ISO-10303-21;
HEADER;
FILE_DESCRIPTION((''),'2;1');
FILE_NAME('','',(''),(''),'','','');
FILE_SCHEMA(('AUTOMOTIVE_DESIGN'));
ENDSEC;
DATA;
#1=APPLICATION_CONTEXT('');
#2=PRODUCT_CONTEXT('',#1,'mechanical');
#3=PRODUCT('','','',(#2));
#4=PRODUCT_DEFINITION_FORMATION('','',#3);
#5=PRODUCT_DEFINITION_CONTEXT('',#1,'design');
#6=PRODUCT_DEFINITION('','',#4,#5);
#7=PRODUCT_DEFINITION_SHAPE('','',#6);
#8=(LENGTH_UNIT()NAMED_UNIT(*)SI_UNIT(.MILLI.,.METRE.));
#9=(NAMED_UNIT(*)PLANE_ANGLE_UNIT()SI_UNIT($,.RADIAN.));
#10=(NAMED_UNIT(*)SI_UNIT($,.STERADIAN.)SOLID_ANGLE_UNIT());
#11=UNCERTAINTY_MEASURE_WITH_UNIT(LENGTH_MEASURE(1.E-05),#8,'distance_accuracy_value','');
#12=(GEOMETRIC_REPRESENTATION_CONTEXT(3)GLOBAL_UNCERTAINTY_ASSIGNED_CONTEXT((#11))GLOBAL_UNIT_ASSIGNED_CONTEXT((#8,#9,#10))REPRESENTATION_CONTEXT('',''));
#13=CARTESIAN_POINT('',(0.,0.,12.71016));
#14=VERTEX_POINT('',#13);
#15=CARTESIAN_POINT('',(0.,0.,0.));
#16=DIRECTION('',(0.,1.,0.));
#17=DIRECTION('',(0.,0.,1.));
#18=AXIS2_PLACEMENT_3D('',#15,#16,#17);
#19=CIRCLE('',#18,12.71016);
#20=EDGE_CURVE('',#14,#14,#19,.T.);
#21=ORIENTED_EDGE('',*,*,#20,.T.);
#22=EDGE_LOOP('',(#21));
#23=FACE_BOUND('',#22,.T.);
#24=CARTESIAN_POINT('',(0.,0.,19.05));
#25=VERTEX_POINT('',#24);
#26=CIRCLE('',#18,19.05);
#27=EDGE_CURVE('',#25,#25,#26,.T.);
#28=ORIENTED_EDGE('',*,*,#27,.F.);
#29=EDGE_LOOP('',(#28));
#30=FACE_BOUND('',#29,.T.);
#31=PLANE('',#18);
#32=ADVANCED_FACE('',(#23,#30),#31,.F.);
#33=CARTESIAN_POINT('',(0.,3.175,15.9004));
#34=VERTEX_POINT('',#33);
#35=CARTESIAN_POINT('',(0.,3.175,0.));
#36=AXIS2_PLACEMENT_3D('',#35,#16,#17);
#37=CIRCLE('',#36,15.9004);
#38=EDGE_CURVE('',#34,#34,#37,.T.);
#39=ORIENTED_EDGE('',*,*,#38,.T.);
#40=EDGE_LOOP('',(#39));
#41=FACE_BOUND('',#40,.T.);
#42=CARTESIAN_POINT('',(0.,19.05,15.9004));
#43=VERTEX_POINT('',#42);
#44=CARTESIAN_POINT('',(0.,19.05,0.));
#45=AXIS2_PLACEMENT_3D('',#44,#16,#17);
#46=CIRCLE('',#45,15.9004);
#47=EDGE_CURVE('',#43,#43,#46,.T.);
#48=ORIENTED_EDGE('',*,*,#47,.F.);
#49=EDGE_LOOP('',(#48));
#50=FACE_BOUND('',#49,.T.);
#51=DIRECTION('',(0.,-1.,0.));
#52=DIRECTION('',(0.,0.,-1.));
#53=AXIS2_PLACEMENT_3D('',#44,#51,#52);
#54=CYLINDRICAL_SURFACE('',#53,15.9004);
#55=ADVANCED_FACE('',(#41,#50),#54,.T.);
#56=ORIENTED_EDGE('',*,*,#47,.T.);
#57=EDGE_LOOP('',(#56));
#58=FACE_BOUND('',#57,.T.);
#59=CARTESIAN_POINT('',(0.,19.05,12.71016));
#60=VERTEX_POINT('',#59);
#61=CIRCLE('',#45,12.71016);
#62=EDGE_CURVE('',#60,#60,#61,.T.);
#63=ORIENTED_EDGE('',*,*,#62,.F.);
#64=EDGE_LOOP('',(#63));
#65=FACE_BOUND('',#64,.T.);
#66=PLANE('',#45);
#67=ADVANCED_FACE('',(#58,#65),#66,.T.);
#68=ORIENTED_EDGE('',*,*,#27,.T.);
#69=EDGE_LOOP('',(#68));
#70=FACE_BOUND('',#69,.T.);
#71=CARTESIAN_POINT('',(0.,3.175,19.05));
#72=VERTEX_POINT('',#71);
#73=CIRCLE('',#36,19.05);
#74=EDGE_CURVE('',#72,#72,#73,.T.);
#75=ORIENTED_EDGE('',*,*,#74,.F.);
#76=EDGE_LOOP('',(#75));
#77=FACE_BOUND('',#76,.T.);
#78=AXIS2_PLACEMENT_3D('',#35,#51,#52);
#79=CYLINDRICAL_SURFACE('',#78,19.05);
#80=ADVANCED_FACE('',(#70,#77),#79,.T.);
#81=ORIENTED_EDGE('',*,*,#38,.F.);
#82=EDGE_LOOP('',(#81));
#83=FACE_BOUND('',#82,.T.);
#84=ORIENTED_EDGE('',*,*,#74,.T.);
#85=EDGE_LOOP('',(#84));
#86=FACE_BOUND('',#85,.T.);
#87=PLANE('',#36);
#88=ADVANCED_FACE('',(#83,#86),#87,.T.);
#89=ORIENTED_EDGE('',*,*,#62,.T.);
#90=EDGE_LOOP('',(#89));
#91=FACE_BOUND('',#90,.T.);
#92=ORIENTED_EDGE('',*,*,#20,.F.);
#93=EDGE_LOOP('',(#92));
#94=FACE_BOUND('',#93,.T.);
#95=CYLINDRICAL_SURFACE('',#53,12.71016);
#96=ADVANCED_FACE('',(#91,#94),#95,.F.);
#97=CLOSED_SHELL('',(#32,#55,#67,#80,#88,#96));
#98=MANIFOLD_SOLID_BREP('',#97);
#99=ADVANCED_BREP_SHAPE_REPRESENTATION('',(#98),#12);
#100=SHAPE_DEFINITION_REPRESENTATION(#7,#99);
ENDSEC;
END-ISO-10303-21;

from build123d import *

# Parameters (mm, degrees)
SKETCH2_R           = 15.9004
SKETCH2_R_2         = 12.71016
BOSS_EXTRUDE1_DEPTH = 19.05
SKETCH3_R           = 19.05
SKETCH3_R_2         = 15.9004
BOSS_EXTRUDE2_DEPTH = 3.175


with BuildPart() as part:
    # Sketch2 → Boss-Extrude1 (new body)
    with BuildSketch(Plane(origin=(0, 0, 0), x_dir=(1, 0, 0), z_dir=(0, 1, 0))):
        Circle(SKETCH2_R)
        Circle(SKETCH2_R_2, mode=Mode.SUBTRACT)
    extrude(amount=BOSS_EXTRUDE1_DEPTH)

    # Sketch3 → Boss-Extrude2 (add)
    with BuildSketch(Plane(origin=(0, 0, 0), x_dir=(1, 0, 0), z_dir=(0, 1, 0))):
        Circle(SKETCH3_R)
        Circle(SKETCH3_R_2, mode=Mode.SUBTRACT)
    extrude(amount=BOSS_EXTRUDE2_DEPTH)


solid = part.part
